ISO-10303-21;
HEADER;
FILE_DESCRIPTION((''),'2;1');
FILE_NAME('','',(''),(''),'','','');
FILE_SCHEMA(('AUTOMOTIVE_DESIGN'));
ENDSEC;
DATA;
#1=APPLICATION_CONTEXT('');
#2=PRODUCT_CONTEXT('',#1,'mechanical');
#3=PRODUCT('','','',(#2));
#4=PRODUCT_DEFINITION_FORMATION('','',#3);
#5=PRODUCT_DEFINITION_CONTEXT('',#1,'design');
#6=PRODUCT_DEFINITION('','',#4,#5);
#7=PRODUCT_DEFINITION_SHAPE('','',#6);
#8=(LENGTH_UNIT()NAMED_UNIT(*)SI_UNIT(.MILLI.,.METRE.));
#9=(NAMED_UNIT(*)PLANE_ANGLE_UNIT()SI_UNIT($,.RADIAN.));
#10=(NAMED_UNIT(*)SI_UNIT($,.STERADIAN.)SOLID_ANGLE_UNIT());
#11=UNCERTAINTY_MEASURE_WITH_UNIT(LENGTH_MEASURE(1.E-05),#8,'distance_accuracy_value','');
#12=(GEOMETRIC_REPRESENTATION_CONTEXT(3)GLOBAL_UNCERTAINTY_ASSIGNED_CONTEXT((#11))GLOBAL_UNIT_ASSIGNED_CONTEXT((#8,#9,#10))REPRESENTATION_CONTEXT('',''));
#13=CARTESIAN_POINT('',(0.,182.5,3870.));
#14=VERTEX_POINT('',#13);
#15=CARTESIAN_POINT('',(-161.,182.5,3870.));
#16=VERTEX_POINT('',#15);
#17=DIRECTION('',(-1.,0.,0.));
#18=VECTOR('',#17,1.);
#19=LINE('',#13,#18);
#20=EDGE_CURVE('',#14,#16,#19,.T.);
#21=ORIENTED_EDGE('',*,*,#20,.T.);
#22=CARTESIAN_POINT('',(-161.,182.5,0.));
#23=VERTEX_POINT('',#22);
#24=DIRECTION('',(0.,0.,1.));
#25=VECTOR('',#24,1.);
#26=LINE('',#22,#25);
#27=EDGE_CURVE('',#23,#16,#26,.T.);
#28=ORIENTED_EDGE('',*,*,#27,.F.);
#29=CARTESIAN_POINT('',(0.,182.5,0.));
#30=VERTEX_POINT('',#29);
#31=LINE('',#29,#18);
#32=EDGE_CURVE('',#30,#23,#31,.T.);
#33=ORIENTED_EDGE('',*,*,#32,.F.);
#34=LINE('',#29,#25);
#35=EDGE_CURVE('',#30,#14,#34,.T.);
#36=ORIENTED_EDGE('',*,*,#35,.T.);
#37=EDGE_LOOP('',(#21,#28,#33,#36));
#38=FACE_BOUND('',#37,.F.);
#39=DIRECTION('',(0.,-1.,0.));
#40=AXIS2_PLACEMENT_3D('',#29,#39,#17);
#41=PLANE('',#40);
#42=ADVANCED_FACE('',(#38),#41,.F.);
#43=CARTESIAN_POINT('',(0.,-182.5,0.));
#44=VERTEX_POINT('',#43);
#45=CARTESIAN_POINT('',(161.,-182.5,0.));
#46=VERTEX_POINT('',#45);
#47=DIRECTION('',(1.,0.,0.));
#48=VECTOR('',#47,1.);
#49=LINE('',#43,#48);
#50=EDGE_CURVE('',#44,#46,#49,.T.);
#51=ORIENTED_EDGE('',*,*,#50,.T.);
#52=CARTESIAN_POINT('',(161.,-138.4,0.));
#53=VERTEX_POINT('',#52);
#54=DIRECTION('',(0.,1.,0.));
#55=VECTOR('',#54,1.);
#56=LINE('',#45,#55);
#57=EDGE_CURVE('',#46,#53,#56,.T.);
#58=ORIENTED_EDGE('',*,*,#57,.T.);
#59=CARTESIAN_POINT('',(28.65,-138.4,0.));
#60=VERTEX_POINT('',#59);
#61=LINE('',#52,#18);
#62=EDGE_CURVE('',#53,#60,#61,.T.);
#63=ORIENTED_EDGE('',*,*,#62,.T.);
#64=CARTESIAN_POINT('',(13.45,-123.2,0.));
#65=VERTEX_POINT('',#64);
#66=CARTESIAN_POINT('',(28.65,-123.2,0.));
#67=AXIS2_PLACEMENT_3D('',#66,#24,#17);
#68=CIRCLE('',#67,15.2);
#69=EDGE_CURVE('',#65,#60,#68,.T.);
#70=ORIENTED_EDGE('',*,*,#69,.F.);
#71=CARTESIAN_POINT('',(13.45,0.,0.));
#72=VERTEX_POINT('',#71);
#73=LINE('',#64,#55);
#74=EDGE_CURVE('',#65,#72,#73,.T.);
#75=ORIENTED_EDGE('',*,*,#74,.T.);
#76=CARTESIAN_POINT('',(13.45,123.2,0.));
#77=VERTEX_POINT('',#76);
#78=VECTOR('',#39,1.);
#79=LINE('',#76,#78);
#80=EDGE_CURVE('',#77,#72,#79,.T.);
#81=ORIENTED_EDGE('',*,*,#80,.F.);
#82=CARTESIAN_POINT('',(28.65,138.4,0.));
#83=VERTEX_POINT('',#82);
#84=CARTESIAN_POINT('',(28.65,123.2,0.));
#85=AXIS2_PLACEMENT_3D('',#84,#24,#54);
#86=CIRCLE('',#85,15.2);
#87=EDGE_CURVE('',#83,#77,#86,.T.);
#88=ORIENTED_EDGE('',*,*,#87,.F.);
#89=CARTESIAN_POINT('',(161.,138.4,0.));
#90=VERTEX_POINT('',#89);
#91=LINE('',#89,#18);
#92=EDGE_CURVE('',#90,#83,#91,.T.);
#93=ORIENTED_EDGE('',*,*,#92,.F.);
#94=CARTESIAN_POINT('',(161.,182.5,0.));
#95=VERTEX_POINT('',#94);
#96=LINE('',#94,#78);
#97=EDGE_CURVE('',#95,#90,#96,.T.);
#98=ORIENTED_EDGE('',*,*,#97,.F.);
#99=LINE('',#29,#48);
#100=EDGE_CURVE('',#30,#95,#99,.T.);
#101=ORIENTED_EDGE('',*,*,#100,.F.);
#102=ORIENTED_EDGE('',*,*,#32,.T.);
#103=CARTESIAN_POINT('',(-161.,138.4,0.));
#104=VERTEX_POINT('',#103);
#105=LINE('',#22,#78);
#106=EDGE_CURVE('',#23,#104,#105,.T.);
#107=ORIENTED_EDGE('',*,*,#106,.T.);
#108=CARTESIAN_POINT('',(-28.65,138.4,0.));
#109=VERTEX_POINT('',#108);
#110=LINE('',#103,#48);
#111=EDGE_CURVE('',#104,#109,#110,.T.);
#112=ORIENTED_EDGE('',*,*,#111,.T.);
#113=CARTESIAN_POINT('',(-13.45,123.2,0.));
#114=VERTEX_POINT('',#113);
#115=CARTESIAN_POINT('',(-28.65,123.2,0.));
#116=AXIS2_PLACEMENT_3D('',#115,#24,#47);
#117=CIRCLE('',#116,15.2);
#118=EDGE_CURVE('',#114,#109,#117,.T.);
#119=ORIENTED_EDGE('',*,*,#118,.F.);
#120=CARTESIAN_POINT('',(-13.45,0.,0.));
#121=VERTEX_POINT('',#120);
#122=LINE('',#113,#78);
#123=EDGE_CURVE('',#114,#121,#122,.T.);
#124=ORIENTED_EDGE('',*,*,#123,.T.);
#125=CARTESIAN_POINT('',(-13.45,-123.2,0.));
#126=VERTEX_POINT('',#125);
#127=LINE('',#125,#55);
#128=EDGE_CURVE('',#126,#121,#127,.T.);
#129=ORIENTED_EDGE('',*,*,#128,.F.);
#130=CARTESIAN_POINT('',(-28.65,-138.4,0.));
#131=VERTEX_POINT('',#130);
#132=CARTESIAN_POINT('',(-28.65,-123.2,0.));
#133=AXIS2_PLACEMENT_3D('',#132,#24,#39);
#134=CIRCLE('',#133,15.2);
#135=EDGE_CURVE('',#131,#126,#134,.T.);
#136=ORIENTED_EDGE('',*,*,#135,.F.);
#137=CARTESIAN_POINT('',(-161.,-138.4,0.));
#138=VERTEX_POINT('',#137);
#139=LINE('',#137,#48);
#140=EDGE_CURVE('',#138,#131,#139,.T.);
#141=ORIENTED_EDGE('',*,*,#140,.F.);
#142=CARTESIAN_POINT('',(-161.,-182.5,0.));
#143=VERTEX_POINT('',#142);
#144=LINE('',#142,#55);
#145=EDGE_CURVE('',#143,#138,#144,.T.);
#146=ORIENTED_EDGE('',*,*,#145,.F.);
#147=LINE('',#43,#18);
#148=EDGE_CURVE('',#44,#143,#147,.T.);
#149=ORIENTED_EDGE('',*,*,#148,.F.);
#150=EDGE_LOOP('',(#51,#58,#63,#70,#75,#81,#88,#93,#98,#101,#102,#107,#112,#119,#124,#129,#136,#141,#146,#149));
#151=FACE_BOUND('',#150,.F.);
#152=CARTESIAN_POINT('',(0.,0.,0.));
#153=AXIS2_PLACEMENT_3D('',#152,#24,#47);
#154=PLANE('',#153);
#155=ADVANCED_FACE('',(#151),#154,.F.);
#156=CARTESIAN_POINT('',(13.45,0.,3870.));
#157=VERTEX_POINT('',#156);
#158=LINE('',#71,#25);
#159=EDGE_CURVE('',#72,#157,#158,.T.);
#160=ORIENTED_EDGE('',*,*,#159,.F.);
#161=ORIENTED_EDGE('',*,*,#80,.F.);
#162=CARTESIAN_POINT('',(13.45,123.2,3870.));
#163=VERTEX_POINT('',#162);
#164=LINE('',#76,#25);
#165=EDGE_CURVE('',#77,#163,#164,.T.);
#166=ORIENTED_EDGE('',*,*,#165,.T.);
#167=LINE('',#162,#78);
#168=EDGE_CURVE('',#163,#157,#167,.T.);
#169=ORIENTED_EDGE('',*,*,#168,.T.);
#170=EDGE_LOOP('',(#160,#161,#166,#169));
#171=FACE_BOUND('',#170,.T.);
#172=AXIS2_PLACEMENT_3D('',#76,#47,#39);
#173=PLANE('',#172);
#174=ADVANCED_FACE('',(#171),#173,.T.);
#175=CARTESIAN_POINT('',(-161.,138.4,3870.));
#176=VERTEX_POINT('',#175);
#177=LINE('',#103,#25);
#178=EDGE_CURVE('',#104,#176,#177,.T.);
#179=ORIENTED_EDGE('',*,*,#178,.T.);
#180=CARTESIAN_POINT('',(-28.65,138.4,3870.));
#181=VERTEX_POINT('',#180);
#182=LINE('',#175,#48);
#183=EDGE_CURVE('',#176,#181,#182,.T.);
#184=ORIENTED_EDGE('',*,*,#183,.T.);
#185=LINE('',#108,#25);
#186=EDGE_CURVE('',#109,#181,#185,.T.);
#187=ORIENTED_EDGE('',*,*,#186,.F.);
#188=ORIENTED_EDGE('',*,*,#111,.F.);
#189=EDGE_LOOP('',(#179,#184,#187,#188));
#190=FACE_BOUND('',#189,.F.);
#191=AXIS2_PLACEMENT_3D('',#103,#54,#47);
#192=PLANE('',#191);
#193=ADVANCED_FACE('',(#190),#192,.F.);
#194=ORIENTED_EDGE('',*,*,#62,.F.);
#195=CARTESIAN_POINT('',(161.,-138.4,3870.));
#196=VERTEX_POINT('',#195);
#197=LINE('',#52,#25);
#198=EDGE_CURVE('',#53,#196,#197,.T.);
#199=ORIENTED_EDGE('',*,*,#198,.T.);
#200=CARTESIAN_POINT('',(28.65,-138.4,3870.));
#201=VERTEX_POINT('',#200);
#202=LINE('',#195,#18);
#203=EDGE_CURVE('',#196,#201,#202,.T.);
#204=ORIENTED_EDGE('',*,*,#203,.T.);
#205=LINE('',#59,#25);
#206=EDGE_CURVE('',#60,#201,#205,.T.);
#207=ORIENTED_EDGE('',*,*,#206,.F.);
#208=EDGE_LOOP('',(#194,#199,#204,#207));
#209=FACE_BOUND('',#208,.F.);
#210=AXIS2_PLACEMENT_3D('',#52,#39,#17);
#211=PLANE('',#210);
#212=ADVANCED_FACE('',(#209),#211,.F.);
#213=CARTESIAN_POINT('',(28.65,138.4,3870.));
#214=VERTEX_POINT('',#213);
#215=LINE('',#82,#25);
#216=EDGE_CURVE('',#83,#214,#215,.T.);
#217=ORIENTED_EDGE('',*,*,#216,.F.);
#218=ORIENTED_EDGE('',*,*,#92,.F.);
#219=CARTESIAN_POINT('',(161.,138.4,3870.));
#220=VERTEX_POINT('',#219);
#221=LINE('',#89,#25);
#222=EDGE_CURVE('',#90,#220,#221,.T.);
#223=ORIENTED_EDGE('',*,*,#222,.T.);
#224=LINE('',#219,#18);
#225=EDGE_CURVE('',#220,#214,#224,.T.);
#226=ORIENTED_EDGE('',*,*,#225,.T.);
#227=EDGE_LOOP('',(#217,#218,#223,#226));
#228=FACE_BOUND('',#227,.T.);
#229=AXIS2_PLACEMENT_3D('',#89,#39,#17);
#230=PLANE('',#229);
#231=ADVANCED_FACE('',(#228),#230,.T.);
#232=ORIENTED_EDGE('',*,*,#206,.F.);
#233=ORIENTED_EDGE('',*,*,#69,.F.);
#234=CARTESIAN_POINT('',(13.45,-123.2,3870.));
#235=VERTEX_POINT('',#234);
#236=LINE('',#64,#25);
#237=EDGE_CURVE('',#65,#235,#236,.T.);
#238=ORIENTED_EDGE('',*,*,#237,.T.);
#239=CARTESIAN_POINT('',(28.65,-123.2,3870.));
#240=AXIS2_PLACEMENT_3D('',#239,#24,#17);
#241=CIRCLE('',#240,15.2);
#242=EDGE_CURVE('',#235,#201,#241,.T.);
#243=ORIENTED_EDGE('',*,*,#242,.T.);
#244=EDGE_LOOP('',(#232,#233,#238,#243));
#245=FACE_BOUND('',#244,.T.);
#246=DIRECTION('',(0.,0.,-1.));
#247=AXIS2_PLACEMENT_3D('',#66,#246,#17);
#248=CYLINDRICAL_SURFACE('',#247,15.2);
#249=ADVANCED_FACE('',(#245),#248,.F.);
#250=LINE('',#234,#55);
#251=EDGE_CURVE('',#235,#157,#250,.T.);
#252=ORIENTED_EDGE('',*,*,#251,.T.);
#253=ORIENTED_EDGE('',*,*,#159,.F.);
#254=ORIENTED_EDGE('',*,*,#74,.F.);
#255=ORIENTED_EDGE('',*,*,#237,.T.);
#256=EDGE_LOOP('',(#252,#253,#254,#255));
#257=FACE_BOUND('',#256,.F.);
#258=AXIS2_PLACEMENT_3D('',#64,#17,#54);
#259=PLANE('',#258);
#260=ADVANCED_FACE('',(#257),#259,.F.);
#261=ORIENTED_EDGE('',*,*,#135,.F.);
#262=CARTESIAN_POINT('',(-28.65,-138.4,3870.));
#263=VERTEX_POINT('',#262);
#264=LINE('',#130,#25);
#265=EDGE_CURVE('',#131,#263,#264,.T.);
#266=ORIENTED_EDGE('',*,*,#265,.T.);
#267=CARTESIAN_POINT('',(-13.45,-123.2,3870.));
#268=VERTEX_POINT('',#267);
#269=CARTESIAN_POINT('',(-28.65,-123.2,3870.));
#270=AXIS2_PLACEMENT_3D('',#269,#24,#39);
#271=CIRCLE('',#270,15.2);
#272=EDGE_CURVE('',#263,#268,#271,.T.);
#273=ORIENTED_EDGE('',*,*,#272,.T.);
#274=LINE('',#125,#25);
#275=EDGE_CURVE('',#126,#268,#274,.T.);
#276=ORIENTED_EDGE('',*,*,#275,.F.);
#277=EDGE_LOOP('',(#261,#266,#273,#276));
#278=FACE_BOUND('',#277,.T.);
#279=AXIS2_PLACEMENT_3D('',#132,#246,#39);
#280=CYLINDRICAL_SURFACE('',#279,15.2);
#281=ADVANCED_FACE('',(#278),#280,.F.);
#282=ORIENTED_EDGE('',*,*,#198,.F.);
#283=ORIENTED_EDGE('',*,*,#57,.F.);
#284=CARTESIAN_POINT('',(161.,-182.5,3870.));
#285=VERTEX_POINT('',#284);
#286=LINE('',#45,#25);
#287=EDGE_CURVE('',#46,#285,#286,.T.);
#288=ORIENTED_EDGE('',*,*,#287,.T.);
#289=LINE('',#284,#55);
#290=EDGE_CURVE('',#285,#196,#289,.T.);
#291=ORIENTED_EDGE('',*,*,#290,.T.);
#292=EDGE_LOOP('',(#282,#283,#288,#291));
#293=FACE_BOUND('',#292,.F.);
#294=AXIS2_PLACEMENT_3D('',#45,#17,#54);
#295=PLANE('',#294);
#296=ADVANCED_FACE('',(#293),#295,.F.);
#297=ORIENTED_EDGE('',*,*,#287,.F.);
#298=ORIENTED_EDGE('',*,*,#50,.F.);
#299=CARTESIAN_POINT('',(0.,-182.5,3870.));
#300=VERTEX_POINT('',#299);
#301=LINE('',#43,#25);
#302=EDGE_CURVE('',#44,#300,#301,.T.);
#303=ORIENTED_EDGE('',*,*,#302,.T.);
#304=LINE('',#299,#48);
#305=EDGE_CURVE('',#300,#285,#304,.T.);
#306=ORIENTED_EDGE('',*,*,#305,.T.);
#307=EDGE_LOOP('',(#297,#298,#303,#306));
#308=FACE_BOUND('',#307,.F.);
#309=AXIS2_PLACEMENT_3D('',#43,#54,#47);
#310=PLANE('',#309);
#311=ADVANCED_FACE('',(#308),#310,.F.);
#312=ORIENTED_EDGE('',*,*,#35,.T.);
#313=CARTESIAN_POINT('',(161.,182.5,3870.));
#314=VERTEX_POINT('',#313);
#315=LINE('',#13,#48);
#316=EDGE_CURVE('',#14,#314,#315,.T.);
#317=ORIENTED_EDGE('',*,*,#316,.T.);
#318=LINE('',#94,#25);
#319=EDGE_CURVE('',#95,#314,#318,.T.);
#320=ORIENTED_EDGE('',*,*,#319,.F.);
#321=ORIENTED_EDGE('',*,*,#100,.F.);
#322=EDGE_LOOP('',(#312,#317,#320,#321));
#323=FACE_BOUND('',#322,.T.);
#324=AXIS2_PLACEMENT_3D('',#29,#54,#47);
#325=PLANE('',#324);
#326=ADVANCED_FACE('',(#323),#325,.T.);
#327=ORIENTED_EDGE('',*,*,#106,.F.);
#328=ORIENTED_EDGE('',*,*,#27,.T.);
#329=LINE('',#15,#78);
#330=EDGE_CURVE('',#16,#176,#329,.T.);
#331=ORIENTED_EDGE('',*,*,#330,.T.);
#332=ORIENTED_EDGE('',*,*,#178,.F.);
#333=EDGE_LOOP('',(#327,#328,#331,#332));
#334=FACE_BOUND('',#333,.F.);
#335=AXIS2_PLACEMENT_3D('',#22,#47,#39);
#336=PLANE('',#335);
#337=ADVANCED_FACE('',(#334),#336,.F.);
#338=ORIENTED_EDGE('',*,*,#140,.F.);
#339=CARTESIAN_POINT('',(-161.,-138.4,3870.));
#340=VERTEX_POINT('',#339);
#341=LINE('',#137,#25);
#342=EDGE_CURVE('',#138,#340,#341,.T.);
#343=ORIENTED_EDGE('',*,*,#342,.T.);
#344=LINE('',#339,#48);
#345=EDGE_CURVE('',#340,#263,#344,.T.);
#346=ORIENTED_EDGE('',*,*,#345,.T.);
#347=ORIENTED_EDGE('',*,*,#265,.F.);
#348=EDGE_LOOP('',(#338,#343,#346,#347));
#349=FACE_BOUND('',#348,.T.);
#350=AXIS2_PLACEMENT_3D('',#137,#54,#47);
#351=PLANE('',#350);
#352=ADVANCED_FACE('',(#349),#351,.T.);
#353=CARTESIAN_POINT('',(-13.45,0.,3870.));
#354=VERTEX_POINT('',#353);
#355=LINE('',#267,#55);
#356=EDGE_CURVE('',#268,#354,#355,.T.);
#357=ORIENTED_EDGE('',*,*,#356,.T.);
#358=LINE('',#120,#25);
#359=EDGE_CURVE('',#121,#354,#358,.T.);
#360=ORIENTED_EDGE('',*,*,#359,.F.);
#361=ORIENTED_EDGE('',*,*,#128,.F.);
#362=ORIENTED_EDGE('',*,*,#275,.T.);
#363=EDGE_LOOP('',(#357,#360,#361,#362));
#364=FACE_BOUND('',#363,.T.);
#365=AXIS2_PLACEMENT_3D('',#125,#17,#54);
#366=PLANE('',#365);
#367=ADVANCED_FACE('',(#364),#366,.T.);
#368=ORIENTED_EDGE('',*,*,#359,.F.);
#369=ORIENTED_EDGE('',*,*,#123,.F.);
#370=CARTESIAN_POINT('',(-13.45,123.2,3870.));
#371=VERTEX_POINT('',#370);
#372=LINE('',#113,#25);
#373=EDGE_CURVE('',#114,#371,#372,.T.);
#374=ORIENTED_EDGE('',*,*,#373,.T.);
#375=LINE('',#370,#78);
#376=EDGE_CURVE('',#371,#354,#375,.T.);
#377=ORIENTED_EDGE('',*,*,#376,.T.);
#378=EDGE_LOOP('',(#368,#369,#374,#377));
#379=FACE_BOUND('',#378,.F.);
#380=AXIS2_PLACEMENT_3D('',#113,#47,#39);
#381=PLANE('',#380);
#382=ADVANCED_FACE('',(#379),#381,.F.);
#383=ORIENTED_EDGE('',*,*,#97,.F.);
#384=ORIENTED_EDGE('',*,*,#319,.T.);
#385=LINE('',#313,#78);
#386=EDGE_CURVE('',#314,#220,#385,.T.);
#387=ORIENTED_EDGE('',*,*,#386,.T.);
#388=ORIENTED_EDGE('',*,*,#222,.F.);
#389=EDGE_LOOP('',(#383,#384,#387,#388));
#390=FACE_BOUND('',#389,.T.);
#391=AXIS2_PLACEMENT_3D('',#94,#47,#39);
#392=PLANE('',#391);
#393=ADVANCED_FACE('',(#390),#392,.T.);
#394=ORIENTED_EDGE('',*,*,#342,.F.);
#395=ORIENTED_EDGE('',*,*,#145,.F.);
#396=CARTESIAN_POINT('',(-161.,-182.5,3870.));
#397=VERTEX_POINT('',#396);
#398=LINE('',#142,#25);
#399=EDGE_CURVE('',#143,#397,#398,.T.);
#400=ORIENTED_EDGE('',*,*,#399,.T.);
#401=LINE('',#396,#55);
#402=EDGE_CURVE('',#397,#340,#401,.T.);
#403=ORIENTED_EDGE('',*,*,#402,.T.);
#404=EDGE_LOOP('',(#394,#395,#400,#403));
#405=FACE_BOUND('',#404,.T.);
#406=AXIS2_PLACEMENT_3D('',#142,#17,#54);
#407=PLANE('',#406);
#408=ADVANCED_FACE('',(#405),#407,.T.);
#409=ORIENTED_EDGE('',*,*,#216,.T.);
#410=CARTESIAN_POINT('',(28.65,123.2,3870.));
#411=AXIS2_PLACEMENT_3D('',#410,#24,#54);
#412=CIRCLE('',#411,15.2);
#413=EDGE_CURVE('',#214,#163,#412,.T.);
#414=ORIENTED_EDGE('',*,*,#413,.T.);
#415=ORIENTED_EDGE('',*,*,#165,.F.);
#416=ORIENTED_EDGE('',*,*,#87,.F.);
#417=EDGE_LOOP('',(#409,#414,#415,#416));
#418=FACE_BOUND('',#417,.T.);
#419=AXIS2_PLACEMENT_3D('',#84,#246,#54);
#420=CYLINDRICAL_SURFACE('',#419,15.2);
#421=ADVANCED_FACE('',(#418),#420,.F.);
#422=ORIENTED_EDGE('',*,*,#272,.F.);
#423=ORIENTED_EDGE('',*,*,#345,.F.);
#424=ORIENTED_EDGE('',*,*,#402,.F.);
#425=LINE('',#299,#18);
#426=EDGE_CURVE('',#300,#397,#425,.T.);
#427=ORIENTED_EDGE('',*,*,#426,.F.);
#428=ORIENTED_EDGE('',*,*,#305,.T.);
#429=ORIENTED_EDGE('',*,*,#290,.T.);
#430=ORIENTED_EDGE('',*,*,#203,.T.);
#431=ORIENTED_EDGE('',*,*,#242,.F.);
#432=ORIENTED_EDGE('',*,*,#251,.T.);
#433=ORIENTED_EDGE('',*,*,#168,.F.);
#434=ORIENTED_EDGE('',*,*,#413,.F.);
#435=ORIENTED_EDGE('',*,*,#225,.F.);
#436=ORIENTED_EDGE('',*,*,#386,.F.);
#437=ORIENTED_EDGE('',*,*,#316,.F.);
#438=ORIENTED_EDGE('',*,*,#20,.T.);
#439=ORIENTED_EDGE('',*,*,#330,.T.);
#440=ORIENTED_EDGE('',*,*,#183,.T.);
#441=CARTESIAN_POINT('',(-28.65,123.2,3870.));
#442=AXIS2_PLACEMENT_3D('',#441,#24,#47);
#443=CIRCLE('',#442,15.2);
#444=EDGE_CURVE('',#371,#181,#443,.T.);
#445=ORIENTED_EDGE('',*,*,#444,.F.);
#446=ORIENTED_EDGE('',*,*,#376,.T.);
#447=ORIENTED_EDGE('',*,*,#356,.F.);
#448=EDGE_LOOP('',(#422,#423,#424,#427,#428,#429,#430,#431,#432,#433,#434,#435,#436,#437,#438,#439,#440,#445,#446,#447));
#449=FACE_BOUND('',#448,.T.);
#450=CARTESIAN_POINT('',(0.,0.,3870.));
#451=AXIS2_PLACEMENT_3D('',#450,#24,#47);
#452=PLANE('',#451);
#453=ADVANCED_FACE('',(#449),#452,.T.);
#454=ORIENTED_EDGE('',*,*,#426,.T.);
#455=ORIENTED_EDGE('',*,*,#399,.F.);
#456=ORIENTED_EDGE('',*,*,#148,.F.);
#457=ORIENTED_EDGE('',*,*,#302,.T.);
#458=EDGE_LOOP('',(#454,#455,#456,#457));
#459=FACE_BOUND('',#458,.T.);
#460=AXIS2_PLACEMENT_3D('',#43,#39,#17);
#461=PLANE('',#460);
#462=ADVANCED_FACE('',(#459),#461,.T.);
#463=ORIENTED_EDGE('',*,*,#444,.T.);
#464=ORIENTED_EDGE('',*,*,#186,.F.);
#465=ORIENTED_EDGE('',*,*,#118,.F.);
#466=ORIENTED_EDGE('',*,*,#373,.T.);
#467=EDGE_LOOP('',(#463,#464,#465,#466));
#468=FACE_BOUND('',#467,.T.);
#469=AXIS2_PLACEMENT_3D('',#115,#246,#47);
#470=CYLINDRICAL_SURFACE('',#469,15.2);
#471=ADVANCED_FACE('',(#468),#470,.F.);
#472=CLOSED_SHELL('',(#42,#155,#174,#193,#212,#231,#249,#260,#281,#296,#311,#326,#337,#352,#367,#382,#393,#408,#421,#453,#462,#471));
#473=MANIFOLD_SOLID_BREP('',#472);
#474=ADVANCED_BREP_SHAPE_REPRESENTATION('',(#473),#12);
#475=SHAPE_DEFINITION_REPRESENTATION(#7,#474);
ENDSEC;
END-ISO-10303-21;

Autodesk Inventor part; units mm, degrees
ref_plane "YZ Plane" through (0, 0, 0) normal (1, 0, 0) x (0, 1, 0)
ref_plane "Start plane" through (0, 0, 0) normal (0, 0, 1) x (1, 0, 0)
ref_plane "End plane" through (0, 0, 3870) normal (0, 0, 1) x (1, 0, 0)
sketch "Sketch" plane through (0, 0, 0) normal (0, 0, 1) x (1, 0, 0)
  line L0 (-161, -182.5) -> (-161, -138.4)
  line L1 (-161, -138.4) -> (-28.65, -138.4)
  line L2 (-13.45, -123.2) -> (-13.45, 0)
  line L3 (-13.45, 0) -> (0, 0) construction
  line L4 (0, 0) -> (0, -182.5) construction
  line L5 (0, -182.5) -> (-161, -182.5)
  line L6 (-60, 0) -> (80, 0) construction
  line L7 (0, -60) -> (0, 80) construction
  line L8 (161, -182.5) -> (161, -138.4)
  line L9 (161, -138.4) -> (28.65, -138.4)
  line L10 (13.45, -123.2) -> (13.45, 0)
  line L11 (13.45, 0) -> (0, 0) construction
  line L12 (0, -182.5) -> (161, -182.5)
  line L13 (-161, 182.5) -> (-161, 138.4)
  line L14 (-161, 138.4) -> (-28.65, 138.4)
  line L15 (-13.45, 123.2) -> (-13.45, 0)
  line L16 (0, 182.5) -> (-161, 182.5)
  line L17 (161, 182.5) -> (161, 138.4)
  line L18 (161, 138.4) -> (28.65, 138.4)
  line L19 (0, 182.5) -> (161, 182.5)
  line L20 (13.45, 123.2) -> (13.45, 0)
  arc A0 (-13.45, 123.2) -> (-28.65, 138.4) centre (-28.65, 123.2) ccw
  arc A1 (28.65, 138.4) -> (13.45, 123.2) centre (28.65, 123.2) ccw
  arc A2 (13.45, -123.2) -> (28.65, -138.4) centre (28.65, -123.2) ccw
  arc A3 (-28.65, -138.4) -> (-13.45, -123.2) centre (-28.65, -123.2) ccw
  line L21 (0, 108) -> (0, -88) construction
  line L22 (-88, 0) -> (108, 0) construction
  point P0 (-13.45, -138.4)
  point P1 (13.45, -138.4)
  point P2 (-13.45, 138.4)
  point P3 (13.45, 138.4)
  dimension "d1" = 182.5
  dimension "d2" = 44.1
  dimension "d3" = 161
  dimension "d4" = 13.45
  dimension "d10" = 15.2
extrude "Body" add sketch "Sketch" along normal up to surface (3870 mm away) from surface at 0
sketch "Sketch4" plane through (0, 0, 0) normal (0, 0, 1) x (1, 0, 0)
  line L0 (0, 0) -> (10, 0)
ref_plane "Work Plane3" through (0, 0, 0) normal (0, -1, 0) x (1, 0, 0)
sketch "Sketch5" plane through (0, 0, 0) normal (0, -1, 0) x (1, 0, 0)
  line L0 (-2, 0) -> (12, 0) projected
  line L1 (-2, 3870) -> (12, 3870) projected
  dimension "d14" = 3870
equation "\"d1\" = 0.5 * G_H"
equation "\"d2\" = G_T1"
equation "\"d3\" = 0.5 * G_W"
equation "\"d4\" = 0.5 * G_T"
equation "\"d10\" = G_IR"
equation "\"d5\" = G_L"
equation "\"G_W\" = 322"
equation "\"G_H\" = 365"
equation "\"G_T\" = 26.9"
equation "\"G_T1\" = 44.1"
equation "\"G_IR\" = 15.2"
equation "\"G_L\" = d14"
equation "\"G_OFFSET_START\" = 0"
equation "\"G_OFFSET_END\" = 0"
properties part number "AS 3679 - 310 UC - 283 - 3870" material "Steel, Mild"
